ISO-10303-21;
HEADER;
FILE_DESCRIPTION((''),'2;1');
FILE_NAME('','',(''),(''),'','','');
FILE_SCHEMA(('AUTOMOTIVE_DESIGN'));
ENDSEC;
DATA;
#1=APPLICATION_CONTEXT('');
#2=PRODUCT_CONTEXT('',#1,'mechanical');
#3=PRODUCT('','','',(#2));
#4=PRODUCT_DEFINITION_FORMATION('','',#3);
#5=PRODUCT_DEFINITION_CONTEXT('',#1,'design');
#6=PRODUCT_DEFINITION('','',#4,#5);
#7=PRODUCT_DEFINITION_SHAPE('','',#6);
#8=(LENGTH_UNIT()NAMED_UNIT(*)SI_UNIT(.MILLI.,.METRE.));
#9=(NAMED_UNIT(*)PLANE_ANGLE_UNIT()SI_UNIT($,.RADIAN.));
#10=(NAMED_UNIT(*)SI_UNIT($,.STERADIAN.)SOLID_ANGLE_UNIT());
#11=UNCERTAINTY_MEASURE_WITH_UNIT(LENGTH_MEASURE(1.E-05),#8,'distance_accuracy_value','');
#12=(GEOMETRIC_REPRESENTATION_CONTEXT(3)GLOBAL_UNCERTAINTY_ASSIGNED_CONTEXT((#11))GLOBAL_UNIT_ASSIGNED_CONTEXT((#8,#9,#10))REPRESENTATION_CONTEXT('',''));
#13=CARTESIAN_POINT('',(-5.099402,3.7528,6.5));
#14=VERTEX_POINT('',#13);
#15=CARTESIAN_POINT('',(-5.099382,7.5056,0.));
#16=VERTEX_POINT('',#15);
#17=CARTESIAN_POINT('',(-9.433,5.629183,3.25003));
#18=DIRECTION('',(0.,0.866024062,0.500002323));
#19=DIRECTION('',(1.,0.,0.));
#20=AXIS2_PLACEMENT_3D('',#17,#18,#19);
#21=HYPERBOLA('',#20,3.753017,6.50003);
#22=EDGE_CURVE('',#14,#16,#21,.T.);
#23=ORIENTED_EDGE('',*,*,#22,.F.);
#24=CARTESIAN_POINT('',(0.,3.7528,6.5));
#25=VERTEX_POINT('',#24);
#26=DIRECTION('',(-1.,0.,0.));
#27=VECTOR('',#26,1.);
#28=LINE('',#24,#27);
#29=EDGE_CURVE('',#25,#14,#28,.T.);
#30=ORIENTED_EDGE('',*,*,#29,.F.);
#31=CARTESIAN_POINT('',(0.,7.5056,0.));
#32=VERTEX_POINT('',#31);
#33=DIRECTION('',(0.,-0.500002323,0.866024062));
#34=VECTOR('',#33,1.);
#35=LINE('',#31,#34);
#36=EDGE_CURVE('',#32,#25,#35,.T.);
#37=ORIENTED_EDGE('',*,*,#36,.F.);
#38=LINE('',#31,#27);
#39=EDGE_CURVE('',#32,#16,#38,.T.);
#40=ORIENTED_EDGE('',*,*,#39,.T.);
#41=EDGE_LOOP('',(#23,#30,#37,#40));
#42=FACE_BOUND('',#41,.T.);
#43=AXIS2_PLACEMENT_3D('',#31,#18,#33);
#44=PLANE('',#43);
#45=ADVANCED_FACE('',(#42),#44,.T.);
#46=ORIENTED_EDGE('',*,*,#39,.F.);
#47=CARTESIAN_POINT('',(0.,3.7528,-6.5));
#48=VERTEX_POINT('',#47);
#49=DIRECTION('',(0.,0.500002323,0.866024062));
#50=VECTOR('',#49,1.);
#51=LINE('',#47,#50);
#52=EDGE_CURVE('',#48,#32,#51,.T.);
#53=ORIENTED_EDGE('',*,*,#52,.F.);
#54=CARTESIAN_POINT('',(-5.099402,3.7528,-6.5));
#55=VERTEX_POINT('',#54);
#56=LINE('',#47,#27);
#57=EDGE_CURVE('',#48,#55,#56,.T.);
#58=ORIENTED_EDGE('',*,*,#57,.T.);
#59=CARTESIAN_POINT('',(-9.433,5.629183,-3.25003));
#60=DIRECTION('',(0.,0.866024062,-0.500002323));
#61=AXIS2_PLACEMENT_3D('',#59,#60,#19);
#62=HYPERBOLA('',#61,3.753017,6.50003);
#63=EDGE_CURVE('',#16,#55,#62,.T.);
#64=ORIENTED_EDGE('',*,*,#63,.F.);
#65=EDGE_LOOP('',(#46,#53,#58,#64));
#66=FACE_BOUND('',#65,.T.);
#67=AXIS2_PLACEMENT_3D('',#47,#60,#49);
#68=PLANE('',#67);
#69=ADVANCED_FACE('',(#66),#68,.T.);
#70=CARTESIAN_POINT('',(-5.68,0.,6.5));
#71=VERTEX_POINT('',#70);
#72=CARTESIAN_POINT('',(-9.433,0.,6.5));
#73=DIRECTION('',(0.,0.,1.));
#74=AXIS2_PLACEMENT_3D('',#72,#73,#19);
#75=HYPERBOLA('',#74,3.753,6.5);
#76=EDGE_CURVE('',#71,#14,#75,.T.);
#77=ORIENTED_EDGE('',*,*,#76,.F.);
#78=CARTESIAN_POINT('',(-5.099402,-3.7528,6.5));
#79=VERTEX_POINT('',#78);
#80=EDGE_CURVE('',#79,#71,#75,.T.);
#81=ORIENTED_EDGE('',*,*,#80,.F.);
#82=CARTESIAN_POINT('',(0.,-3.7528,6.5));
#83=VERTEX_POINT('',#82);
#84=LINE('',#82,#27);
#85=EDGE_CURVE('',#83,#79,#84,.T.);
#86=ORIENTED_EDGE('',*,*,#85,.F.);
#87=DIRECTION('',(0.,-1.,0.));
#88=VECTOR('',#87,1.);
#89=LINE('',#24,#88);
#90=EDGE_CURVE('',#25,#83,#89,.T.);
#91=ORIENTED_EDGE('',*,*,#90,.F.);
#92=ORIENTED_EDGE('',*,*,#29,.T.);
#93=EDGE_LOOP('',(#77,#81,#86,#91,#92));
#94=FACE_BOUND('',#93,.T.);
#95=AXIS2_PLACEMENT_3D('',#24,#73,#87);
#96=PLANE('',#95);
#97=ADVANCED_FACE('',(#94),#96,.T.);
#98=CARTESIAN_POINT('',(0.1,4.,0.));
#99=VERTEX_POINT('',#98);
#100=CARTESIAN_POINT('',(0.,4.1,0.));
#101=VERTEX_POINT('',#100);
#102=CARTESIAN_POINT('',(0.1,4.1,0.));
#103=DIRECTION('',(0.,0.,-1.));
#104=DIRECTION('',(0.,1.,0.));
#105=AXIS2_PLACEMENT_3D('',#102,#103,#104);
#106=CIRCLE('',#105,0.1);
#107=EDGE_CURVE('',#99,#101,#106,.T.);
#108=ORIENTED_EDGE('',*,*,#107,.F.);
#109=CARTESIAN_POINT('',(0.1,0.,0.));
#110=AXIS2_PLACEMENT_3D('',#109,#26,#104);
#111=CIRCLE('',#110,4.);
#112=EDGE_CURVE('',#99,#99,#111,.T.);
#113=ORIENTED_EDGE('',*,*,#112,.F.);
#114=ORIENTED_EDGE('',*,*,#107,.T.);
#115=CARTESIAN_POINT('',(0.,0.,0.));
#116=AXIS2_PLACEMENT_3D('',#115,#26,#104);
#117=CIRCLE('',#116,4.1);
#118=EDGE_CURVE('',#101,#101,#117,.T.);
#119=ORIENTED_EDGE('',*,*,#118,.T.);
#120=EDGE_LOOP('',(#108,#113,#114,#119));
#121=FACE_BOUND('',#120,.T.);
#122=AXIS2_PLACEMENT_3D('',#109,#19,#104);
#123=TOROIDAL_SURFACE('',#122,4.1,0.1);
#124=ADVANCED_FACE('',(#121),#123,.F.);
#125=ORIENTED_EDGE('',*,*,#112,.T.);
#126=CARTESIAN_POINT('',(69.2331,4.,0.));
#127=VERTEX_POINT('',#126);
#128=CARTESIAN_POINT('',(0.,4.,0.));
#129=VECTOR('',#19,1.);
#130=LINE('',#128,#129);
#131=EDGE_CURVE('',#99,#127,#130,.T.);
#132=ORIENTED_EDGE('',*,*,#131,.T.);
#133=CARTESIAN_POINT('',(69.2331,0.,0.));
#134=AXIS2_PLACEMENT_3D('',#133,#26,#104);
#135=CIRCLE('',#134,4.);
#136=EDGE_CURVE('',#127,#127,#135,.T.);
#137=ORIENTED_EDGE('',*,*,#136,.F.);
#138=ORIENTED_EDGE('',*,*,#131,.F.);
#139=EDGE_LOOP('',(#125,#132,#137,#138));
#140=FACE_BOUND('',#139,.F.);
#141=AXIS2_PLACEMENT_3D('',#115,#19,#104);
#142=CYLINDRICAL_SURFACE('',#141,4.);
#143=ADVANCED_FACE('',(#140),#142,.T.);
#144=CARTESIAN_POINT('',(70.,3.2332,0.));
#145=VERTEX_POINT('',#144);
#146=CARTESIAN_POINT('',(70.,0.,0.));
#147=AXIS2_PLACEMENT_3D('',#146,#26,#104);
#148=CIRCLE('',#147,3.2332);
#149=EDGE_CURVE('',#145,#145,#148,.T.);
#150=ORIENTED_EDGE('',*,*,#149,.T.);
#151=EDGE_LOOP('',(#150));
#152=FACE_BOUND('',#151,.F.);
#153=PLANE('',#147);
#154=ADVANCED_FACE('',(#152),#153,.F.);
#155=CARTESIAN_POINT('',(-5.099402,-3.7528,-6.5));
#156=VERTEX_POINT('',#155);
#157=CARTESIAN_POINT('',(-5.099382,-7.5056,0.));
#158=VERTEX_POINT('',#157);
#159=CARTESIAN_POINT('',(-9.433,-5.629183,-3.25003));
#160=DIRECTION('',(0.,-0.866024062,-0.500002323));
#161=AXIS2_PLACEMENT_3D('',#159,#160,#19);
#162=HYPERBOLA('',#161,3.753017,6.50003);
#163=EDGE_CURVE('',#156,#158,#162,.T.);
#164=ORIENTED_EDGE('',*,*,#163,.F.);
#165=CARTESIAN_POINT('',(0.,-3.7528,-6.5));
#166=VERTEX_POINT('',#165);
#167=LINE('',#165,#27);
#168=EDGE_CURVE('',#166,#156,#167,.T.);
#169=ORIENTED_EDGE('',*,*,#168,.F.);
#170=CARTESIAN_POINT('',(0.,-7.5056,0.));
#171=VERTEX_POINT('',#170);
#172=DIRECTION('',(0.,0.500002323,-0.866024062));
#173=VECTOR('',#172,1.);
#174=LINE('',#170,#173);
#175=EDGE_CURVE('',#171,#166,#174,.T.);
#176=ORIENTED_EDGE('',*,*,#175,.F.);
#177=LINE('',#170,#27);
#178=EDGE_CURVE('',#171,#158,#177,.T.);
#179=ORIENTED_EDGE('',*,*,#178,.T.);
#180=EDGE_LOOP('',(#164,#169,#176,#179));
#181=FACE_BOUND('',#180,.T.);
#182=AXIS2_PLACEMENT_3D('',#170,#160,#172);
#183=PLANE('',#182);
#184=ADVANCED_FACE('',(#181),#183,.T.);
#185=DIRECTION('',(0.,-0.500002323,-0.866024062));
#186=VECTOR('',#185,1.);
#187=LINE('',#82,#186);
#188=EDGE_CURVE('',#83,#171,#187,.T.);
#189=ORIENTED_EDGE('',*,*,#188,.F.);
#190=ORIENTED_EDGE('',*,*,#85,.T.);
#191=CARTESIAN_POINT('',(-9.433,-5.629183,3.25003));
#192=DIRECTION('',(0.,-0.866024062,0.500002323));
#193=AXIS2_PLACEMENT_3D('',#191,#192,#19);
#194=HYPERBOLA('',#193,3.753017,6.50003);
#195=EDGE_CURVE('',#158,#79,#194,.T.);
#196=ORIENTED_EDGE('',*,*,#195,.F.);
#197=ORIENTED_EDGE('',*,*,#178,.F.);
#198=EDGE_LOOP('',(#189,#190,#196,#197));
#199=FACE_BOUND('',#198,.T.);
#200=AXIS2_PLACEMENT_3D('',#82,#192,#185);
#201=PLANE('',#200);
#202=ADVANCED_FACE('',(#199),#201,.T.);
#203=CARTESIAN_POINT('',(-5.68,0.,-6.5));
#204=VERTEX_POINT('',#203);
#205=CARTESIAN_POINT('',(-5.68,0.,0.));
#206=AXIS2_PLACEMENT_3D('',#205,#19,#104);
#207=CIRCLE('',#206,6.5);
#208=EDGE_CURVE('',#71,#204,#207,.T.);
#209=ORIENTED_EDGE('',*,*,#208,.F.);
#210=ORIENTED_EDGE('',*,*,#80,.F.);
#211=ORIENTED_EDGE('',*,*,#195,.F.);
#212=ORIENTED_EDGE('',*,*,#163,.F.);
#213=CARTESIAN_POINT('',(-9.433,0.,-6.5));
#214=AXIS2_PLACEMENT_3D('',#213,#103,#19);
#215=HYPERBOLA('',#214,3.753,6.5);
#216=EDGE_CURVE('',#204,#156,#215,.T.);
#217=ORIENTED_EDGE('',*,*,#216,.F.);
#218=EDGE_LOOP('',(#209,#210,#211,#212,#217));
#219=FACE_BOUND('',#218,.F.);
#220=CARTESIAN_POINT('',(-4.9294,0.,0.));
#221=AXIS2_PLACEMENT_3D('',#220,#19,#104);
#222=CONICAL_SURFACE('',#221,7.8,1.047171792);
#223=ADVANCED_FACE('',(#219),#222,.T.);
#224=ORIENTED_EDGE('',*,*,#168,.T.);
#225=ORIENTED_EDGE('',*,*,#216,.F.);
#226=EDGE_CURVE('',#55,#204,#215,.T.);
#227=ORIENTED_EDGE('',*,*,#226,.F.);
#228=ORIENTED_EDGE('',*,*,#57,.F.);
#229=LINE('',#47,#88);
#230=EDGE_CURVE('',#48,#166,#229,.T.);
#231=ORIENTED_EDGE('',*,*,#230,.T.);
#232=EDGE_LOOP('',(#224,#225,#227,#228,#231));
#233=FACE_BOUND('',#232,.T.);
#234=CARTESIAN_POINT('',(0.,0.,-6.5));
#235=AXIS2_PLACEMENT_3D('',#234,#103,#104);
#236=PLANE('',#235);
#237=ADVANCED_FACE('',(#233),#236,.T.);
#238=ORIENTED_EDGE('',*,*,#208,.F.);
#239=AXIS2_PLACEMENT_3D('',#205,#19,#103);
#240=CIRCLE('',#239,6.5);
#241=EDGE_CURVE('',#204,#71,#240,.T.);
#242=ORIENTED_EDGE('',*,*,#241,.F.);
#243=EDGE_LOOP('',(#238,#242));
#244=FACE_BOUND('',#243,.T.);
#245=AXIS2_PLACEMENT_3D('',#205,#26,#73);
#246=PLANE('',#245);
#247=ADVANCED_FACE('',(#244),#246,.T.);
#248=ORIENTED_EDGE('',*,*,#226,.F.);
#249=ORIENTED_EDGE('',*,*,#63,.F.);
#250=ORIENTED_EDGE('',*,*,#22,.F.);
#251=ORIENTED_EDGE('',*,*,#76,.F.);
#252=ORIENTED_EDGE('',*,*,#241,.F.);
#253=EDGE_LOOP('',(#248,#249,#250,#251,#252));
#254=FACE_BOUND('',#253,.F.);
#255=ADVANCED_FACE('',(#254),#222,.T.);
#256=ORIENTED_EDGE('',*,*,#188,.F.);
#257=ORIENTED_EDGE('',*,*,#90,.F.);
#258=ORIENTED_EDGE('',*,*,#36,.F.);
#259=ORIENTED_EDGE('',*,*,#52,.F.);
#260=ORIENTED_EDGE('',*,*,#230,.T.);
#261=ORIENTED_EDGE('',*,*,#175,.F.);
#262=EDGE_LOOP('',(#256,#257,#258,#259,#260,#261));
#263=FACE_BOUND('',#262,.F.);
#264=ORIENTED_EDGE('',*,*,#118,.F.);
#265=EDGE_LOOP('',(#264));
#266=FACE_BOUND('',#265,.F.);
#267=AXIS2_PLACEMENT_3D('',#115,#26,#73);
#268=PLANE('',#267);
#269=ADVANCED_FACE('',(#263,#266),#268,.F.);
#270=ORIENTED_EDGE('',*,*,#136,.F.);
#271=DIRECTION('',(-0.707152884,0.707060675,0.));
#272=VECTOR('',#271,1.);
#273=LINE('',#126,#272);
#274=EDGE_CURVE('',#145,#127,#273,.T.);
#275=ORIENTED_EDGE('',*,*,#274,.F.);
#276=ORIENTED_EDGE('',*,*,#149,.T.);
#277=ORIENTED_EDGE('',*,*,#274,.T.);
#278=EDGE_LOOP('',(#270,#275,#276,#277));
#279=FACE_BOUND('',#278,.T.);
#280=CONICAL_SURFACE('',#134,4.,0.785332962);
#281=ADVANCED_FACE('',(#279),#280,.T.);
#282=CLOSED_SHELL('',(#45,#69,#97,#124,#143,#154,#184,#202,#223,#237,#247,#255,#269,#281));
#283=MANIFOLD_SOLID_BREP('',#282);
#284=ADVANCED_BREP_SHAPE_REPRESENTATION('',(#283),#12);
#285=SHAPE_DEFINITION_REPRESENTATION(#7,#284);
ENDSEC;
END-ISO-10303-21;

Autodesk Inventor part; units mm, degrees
ref_plane "YZ Plane" through (0, 0, 0) normal (1, 0, 0) x (0, 1, 0)
ref_plane "XZ Plane" through (0, 0, 0) normal (0, 1, 0) x (-1, 0, 0)
sketch "Sketch1" plane through (0, 0, 0) normal (0, 0, 1) x (1, 0, 0)
  line L0 (0, 4) -> (70, 4)
  line L1 (70, 4) -> (70, 0)
  line L2 (70, 0) -> (0, 0)
  line L3 (-17, 0) -> (102, 0) projected
  line L4 (0, -0.8) -> (0, 4.8) projected
  line L5 (0, 4) -> (0, 0)
  dimension "d2" = 8
  dimension "d59" = 70
revolve "Body" add sketch "Sketch1" angle 360 about axis through (70, 0, 0) along (-1, 0, 0)
sketch "Sketch2" plane through (0, 0, 0) normal (-1, 0, 0) x (0, 0, 1)
  line L0 (0, 7.5056) -> (6.5, 3.7528)
  line L1 (6.5, 3.7528) -> (6.5, -3.7528)
  line L2 (6.5, -3.7528) -> (0, -7.5056)
  line L3 (0, -7.5056) -> (-6.5, -3.7528)
  line L4 (-6.5, -3.7528) -> (-6.5, 3.7528)
  line L5 (-6.5, 3.7528) -> (0, 7.5056)
  line L6 (-9.1, 0) -> (9.1, 0) projected
  line L7 (0, 10.5078) -> (0, -10.5078) projected
  point P0 (0, 0)
  point P1 (0, 0)
  dimension "d11" = 13
extrude "Head" add sketch "Sketch2" along normal blind 5.68
sketch "Sketch4" plane through (0, 0, 0) normal (0, 0, 1) x (1, 0, 0)
  line L0 (-4.9294, 7.8) -> (-5.68, 6.5)
  line L1 (-1.1, 0) -> (-0.234, 0)
  line L2 (-6.7692, 0) -> (0.8552, 0) projected
  line L3 (-5.68, 7.8) -> (-4.9294, 7.8)
  line L4 (-5.68, 6.5) -> (-5.68, 7.8)
  line L5 (0, 9.36) -> (0, -1.56) projected
  dimension "d65" = 13
  dimension "d67" = 30
  dimension "d68" = 15.6
  dimension "d69" = 5.68
revolve "Chamfer1" cut sketch "Sketch4" angle 360 about axis through (-1.1, 0, 0) along (1, 0, 0)
thread "Thread" size "M8x1.25" class "6g" standard "ISO Metric profile" length 22
chamfer "Chamfer2" distance 0.7668 distance2 0.7669 1 edges at (70, -4, 0) measured on face at (70, 1.3909, 1.1742)
fillet "Fillet" radius 0.1 1 edges at (0, -4, 0)
ref_plane "Work Plane1" through (1.525, 0, 0) normal (0, 0, 1) x (1, 0, 0)
equation "\"d2\" = GD"
equation "\"d59\" = NLG"
equation "\"d11\" = SW"
equation "\"d3\" = KOH"
equation "\"d15\" = GEL"
equation "\"d6\" = -0.5 * SPD + 0.5 * GD"
equation "\"d71\" = RR"
equation "\"d65\" = SW"
equation "\"d67\" = ANG1"
equation "\"d68\" = 1.2 * SW"
equation "\"d69\" = KOH"
equation "\"NLG\" = 70"
equation "\"GD\" = NND"
equation "\"BDM\" = NND"
equation "\"KOH\" = 5.68"
equation "\"GEL\" = 22"
equation "\"SW\" = 13"
equation "\"SW0\" = SW"
equation "\"SPD\" = NND - 1.2269 * PTC"
equation "\"SD2\" = NND"
equation "\"SD\" = 0"
equation "\"ANG1\" = 30deg"
equation "\"GAL\" = 0.61345 * PTC"
equation "\"GUL\" = 0.61345 * PTC"
equation "\"RR\" = 0.1"
equation "\"RR1\" = 0.4"
equation "\"GD1\" = THREADDIA - 1.2269 * PTC"
equation "\"THREADDIA\" = 8"
equation "\"TOA\" = 30deg"
equation "\"PTC\" = 1.25"
equation "\"KOH1\" = 3.7"
equation "\"NND\" = 8"
equation "\"E0\" = 1.155 * SW"
properties part number "ANSI B18.2.3.5M - M8 x 1.25 x 70" material "Steel, Mild"
